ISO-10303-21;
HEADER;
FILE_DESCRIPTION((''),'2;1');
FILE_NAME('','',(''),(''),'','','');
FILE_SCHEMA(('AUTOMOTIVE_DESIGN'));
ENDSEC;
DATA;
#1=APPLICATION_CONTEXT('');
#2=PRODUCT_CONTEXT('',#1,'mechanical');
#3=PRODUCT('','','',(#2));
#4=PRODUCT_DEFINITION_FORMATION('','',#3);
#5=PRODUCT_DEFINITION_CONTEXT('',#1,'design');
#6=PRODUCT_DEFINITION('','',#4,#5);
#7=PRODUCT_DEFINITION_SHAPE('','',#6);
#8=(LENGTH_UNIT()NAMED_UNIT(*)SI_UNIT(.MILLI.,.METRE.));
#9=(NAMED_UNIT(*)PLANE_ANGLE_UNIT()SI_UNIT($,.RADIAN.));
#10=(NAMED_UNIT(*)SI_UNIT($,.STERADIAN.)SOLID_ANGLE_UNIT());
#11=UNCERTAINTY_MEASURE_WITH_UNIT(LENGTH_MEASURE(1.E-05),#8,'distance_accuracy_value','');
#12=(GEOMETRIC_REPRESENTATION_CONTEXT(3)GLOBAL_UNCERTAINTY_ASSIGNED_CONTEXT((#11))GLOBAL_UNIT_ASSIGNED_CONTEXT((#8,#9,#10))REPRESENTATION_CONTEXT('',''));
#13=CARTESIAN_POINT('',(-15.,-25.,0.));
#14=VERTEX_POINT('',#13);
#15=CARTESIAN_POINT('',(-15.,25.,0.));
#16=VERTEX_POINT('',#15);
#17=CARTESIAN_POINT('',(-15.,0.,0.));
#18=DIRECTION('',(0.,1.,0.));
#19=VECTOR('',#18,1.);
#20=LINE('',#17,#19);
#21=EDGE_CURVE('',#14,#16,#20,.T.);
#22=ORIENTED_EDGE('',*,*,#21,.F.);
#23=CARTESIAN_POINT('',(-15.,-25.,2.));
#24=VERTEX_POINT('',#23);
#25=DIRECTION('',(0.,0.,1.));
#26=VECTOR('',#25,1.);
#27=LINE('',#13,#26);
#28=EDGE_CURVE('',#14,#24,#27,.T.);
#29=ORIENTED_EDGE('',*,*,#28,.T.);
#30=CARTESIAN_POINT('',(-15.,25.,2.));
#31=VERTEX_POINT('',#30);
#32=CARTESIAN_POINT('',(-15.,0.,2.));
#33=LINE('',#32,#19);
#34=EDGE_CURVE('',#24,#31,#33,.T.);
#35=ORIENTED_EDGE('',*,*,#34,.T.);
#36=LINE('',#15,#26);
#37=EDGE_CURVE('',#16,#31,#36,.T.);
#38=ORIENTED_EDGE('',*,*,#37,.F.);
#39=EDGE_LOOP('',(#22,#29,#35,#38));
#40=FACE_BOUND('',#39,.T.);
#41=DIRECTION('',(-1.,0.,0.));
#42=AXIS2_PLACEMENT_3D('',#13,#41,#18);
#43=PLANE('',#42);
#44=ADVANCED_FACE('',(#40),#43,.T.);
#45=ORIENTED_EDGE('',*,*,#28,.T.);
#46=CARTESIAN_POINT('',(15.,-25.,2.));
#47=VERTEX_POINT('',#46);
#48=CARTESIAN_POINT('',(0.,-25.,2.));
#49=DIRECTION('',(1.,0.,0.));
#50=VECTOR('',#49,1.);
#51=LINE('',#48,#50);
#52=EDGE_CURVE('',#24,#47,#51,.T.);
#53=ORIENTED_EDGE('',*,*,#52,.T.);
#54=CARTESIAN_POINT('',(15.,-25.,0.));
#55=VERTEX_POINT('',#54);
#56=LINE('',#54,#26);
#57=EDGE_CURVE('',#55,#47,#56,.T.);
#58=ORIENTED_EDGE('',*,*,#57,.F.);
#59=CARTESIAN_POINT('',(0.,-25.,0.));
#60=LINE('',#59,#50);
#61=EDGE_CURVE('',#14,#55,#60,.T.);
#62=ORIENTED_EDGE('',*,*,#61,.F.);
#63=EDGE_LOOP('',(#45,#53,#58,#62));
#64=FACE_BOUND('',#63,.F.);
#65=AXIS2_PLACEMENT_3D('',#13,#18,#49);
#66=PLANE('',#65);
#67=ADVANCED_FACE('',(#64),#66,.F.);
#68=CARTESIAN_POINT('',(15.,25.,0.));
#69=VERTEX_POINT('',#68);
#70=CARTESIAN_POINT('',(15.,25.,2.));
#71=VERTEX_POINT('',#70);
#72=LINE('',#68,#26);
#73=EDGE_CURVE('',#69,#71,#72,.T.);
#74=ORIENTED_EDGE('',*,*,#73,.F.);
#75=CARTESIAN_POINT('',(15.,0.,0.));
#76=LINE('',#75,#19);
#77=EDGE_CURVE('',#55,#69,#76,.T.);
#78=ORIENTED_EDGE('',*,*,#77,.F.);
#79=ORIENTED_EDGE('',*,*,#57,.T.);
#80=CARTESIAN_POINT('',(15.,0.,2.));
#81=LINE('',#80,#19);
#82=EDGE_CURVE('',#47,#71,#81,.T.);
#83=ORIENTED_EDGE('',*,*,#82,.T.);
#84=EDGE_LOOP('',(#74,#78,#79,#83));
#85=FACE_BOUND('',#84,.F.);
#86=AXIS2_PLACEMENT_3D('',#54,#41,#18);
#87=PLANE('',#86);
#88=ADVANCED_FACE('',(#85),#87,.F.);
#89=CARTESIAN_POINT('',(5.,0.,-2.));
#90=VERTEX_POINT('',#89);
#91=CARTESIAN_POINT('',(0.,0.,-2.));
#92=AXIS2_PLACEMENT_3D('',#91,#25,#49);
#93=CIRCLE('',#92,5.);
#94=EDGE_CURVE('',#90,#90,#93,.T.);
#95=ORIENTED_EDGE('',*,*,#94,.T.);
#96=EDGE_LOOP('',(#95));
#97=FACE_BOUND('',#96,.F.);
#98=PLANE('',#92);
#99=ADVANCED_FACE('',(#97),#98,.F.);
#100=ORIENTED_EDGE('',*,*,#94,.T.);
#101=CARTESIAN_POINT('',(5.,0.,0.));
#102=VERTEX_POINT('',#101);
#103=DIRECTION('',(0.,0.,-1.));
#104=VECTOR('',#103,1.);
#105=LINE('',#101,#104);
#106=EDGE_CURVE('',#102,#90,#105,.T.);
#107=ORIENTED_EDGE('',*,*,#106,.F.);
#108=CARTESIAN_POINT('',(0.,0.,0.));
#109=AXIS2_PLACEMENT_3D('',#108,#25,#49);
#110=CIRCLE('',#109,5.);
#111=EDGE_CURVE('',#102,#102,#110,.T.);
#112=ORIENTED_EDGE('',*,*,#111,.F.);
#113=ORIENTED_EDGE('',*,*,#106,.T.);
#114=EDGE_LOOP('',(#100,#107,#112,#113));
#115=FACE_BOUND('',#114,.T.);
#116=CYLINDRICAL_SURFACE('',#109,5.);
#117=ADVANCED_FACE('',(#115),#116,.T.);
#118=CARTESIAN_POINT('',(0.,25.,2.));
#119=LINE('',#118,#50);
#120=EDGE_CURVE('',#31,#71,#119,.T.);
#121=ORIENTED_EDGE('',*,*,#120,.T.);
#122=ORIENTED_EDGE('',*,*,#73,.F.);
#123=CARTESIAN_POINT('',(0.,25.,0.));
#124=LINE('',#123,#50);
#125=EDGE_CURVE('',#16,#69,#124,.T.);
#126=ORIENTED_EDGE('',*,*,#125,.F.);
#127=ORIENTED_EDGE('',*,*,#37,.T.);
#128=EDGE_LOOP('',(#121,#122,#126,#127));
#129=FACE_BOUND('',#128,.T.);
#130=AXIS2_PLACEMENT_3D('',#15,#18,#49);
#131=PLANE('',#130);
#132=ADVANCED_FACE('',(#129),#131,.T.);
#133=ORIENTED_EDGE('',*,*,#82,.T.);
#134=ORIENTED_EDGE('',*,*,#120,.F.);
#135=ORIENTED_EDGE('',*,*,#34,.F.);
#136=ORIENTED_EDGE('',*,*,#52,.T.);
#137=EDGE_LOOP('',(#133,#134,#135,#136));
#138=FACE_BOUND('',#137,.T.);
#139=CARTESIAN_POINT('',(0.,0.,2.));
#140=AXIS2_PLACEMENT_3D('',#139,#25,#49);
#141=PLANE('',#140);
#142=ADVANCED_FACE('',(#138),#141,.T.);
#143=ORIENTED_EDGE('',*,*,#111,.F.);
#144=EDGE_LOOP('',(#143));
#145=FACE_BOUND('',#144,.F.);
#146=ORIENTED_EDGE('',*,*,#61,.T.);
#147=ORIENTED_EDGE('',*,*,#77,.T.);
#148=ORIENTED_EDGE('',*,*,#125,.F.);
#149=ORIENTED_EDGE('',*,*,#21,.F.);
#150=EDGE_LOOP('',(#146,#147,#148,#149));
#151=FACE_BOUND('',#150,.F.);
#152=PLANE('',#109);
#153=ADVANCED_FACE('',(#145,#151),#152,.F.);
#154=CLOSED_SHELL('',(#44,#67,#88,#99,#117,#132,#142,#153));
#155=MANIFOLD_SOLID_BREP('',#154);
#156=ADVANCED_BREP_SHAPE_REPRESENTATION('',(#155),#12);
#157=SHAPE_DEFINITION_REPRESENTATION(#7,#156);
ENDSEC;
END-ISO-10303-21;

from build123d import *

# Parameters (mm, degrees)
F0_W     = 30
F0_H     = 50
F0_R     = 5
F1_DEPTH = 2
F2_DEPTH = 2


with BuildPart() as f1:
    # F0 (on Top) → F1 (new body)
    with BuildSketch(Plane.XY):
        Rectangle(F0_W, F0_H)
        Circle(F0_R, mode=Mode.SUBTRACT)
        Circle(F0_R)
    extrude(amount=F1_DEPTH)

    # F0 (on Top) → F2 (join)
    with BuildSketch(Plane.XY):
        Circle(F0_R)
    extrude(amount=-F2_DEPTH)


solid = f1.part
